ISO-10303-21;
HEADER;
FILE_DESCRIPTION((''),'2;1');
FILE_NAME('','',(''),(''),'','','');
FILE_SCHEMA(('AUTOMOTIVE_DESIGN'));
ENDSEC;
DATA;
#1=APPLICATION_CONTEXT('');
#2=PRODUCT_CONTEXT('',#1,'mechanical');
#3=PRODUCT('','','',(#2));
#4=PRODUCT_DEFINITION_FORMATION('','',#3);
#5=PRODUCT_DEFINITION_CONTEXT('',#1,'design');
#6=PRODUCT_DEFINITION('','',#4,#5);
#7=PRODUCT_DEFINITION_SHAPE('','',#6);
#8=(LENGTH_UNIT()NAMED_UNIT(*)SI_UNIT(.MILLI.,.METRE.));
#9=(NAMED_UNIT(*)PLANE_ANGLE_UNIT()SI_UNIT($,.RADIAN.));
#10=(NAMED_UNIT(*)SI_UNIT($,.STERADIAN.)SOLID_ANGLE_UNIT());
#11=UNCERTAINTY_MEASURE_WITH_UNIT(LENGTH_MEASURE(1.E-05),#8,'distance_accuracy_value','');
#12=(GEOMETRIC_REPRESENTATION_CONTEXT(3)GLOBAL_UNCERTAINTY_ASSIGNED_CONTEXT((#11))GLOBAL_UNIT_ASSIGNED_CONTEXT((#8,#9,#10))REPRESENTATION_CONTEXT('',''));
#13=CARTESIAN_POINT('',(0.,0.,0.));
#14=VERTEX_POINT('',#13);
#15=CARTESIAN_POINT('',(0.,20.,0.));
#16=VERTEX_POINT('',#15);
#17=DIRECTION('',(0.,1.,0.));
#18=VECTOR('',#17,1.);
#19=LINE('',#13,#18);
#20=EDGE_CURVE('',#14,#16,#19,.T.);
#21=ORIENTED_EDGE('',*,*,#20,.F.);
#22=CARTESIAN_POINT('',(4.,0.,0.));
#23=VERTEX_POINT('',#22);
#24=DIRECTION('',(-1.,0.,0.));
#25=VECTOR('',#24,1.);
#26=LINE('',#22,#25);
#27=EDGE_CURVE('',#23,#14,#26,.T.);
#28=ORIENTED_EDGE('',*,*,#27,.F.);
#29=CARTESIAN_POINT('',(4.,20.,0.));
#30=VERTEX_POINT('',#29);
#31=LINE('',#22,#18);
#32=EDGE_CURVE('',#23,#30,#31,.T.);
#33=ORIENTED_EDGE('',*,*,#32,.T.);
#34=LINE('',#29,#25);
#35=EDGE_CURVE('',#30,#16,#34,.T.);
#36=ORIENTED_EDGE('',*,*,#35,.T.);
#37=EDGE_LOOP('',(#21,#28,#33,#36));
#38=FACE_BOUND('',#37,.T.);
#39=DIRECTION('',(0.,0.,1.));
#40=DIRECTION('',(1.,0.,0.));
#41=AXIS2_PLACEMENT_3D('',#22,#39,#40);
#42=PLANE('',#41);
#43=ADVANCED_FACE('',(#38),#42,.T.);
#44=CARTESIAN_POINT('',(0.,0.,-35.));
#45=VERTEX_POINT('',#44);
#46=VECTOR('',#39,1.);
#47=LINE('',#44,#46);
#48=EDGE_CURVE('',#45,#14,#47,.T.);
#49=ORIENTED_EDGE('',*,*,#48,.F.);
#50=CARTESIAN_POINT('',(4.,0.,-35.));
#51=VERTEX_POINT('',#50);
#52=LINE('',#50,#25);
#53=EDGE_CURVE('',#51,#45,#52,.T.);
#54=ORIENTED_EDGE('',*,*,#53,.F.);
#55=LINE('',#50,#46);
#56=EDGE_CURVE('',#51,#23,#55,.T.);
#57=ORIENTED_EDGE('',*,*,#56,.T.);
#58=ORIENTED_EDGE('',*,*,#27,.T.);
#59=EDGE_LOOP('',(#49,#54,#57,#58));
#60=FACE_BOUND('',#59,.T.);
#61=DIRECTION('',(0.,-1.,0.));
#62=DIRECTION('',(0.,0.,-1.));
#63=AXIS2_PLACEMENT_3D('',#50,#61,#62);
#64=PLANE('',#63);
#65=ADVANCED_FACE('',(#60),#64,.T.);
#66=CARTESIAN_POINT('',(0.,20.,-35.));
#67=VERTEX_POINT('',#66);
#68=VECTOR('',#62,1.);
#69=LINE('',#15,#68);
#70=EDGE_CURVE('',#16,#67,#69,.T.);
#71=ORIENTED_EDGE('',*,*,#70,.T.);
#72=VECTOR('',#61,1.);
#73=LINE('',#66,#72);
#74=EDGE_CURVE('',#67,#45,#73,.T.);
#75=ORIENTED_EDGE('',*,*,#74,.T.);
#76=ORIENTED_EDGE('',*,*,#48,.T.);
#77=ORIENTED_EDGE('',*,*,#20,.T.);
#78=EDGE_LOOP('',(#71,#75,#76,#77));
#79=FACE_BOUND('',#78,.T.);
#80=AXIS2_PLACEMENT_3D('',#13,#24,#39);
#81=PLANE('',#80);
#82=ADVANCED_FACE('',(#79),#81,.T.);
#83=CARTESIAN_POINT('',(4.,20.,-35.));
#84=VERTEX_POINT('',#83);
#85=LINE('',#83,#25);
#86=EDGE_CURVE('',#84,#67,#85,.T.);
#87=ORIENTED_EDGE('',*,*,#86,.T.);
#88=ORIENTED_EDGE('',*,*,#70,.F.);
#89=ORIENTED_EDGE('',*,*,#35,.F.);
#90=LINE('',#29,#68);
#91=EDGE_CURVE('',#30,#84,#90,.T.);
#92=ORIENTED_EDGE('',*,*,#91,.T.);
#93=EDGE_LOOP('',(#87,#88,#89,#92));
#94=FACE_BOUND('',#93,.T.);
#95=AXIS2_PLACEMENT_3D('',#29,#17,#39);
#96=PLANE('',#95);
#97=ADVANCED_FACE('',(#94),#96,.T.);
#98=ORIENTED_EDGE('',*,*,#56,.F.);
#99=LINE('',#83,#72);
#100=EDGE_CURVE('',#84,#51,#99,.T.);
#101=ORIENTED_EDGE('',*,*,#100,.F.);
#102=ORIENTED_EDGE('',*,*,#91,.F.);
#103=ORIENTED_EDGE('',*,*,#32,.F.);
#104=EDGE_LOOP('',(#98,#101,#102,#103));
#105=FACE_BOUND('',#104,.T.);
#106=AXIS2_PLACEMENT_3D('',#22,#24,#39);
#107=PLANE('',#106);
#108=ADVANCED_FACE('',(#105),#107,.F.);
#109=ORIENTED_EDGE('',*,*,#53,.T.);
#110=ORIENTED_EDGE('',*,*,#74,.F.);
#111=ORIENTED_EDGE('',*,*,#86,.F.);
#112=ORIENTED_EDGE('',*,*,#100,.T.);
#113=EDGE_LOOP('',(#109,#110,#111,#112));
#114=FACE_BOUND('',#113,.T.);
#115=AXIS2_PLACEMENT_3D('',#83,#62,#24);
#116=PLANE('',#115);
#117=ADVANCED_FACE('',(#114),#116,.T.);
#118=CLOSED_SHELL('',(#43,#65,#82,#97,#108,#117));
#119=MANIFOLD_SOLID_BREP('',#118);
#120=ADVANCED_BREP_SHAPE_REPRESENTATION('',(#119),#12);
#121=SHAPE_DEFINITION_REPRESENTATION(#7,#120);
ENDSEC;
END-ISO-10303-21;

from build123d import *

# Parameters (mm, degrees)
SKETCH2_W           = 35
SKETCH2_H           = 20
BOSS_EXTRUDE1_DEPTH = 4


with BuildPart() as part:
    # Sketch2 → Boss-Extrude1 (new body)
    with BuildSketch(Plane(origin=(0, 0, 0), x_dir=(0, 0, -1), z_dir=(1, 0, 0))):
        with Locations((17.5, 10)):
            Rectangle(SKETCH2_W, SKETCH2_H)
    extrude(amount=BOSS_EXTRUDE1_DEPTH)


solid = part.part
